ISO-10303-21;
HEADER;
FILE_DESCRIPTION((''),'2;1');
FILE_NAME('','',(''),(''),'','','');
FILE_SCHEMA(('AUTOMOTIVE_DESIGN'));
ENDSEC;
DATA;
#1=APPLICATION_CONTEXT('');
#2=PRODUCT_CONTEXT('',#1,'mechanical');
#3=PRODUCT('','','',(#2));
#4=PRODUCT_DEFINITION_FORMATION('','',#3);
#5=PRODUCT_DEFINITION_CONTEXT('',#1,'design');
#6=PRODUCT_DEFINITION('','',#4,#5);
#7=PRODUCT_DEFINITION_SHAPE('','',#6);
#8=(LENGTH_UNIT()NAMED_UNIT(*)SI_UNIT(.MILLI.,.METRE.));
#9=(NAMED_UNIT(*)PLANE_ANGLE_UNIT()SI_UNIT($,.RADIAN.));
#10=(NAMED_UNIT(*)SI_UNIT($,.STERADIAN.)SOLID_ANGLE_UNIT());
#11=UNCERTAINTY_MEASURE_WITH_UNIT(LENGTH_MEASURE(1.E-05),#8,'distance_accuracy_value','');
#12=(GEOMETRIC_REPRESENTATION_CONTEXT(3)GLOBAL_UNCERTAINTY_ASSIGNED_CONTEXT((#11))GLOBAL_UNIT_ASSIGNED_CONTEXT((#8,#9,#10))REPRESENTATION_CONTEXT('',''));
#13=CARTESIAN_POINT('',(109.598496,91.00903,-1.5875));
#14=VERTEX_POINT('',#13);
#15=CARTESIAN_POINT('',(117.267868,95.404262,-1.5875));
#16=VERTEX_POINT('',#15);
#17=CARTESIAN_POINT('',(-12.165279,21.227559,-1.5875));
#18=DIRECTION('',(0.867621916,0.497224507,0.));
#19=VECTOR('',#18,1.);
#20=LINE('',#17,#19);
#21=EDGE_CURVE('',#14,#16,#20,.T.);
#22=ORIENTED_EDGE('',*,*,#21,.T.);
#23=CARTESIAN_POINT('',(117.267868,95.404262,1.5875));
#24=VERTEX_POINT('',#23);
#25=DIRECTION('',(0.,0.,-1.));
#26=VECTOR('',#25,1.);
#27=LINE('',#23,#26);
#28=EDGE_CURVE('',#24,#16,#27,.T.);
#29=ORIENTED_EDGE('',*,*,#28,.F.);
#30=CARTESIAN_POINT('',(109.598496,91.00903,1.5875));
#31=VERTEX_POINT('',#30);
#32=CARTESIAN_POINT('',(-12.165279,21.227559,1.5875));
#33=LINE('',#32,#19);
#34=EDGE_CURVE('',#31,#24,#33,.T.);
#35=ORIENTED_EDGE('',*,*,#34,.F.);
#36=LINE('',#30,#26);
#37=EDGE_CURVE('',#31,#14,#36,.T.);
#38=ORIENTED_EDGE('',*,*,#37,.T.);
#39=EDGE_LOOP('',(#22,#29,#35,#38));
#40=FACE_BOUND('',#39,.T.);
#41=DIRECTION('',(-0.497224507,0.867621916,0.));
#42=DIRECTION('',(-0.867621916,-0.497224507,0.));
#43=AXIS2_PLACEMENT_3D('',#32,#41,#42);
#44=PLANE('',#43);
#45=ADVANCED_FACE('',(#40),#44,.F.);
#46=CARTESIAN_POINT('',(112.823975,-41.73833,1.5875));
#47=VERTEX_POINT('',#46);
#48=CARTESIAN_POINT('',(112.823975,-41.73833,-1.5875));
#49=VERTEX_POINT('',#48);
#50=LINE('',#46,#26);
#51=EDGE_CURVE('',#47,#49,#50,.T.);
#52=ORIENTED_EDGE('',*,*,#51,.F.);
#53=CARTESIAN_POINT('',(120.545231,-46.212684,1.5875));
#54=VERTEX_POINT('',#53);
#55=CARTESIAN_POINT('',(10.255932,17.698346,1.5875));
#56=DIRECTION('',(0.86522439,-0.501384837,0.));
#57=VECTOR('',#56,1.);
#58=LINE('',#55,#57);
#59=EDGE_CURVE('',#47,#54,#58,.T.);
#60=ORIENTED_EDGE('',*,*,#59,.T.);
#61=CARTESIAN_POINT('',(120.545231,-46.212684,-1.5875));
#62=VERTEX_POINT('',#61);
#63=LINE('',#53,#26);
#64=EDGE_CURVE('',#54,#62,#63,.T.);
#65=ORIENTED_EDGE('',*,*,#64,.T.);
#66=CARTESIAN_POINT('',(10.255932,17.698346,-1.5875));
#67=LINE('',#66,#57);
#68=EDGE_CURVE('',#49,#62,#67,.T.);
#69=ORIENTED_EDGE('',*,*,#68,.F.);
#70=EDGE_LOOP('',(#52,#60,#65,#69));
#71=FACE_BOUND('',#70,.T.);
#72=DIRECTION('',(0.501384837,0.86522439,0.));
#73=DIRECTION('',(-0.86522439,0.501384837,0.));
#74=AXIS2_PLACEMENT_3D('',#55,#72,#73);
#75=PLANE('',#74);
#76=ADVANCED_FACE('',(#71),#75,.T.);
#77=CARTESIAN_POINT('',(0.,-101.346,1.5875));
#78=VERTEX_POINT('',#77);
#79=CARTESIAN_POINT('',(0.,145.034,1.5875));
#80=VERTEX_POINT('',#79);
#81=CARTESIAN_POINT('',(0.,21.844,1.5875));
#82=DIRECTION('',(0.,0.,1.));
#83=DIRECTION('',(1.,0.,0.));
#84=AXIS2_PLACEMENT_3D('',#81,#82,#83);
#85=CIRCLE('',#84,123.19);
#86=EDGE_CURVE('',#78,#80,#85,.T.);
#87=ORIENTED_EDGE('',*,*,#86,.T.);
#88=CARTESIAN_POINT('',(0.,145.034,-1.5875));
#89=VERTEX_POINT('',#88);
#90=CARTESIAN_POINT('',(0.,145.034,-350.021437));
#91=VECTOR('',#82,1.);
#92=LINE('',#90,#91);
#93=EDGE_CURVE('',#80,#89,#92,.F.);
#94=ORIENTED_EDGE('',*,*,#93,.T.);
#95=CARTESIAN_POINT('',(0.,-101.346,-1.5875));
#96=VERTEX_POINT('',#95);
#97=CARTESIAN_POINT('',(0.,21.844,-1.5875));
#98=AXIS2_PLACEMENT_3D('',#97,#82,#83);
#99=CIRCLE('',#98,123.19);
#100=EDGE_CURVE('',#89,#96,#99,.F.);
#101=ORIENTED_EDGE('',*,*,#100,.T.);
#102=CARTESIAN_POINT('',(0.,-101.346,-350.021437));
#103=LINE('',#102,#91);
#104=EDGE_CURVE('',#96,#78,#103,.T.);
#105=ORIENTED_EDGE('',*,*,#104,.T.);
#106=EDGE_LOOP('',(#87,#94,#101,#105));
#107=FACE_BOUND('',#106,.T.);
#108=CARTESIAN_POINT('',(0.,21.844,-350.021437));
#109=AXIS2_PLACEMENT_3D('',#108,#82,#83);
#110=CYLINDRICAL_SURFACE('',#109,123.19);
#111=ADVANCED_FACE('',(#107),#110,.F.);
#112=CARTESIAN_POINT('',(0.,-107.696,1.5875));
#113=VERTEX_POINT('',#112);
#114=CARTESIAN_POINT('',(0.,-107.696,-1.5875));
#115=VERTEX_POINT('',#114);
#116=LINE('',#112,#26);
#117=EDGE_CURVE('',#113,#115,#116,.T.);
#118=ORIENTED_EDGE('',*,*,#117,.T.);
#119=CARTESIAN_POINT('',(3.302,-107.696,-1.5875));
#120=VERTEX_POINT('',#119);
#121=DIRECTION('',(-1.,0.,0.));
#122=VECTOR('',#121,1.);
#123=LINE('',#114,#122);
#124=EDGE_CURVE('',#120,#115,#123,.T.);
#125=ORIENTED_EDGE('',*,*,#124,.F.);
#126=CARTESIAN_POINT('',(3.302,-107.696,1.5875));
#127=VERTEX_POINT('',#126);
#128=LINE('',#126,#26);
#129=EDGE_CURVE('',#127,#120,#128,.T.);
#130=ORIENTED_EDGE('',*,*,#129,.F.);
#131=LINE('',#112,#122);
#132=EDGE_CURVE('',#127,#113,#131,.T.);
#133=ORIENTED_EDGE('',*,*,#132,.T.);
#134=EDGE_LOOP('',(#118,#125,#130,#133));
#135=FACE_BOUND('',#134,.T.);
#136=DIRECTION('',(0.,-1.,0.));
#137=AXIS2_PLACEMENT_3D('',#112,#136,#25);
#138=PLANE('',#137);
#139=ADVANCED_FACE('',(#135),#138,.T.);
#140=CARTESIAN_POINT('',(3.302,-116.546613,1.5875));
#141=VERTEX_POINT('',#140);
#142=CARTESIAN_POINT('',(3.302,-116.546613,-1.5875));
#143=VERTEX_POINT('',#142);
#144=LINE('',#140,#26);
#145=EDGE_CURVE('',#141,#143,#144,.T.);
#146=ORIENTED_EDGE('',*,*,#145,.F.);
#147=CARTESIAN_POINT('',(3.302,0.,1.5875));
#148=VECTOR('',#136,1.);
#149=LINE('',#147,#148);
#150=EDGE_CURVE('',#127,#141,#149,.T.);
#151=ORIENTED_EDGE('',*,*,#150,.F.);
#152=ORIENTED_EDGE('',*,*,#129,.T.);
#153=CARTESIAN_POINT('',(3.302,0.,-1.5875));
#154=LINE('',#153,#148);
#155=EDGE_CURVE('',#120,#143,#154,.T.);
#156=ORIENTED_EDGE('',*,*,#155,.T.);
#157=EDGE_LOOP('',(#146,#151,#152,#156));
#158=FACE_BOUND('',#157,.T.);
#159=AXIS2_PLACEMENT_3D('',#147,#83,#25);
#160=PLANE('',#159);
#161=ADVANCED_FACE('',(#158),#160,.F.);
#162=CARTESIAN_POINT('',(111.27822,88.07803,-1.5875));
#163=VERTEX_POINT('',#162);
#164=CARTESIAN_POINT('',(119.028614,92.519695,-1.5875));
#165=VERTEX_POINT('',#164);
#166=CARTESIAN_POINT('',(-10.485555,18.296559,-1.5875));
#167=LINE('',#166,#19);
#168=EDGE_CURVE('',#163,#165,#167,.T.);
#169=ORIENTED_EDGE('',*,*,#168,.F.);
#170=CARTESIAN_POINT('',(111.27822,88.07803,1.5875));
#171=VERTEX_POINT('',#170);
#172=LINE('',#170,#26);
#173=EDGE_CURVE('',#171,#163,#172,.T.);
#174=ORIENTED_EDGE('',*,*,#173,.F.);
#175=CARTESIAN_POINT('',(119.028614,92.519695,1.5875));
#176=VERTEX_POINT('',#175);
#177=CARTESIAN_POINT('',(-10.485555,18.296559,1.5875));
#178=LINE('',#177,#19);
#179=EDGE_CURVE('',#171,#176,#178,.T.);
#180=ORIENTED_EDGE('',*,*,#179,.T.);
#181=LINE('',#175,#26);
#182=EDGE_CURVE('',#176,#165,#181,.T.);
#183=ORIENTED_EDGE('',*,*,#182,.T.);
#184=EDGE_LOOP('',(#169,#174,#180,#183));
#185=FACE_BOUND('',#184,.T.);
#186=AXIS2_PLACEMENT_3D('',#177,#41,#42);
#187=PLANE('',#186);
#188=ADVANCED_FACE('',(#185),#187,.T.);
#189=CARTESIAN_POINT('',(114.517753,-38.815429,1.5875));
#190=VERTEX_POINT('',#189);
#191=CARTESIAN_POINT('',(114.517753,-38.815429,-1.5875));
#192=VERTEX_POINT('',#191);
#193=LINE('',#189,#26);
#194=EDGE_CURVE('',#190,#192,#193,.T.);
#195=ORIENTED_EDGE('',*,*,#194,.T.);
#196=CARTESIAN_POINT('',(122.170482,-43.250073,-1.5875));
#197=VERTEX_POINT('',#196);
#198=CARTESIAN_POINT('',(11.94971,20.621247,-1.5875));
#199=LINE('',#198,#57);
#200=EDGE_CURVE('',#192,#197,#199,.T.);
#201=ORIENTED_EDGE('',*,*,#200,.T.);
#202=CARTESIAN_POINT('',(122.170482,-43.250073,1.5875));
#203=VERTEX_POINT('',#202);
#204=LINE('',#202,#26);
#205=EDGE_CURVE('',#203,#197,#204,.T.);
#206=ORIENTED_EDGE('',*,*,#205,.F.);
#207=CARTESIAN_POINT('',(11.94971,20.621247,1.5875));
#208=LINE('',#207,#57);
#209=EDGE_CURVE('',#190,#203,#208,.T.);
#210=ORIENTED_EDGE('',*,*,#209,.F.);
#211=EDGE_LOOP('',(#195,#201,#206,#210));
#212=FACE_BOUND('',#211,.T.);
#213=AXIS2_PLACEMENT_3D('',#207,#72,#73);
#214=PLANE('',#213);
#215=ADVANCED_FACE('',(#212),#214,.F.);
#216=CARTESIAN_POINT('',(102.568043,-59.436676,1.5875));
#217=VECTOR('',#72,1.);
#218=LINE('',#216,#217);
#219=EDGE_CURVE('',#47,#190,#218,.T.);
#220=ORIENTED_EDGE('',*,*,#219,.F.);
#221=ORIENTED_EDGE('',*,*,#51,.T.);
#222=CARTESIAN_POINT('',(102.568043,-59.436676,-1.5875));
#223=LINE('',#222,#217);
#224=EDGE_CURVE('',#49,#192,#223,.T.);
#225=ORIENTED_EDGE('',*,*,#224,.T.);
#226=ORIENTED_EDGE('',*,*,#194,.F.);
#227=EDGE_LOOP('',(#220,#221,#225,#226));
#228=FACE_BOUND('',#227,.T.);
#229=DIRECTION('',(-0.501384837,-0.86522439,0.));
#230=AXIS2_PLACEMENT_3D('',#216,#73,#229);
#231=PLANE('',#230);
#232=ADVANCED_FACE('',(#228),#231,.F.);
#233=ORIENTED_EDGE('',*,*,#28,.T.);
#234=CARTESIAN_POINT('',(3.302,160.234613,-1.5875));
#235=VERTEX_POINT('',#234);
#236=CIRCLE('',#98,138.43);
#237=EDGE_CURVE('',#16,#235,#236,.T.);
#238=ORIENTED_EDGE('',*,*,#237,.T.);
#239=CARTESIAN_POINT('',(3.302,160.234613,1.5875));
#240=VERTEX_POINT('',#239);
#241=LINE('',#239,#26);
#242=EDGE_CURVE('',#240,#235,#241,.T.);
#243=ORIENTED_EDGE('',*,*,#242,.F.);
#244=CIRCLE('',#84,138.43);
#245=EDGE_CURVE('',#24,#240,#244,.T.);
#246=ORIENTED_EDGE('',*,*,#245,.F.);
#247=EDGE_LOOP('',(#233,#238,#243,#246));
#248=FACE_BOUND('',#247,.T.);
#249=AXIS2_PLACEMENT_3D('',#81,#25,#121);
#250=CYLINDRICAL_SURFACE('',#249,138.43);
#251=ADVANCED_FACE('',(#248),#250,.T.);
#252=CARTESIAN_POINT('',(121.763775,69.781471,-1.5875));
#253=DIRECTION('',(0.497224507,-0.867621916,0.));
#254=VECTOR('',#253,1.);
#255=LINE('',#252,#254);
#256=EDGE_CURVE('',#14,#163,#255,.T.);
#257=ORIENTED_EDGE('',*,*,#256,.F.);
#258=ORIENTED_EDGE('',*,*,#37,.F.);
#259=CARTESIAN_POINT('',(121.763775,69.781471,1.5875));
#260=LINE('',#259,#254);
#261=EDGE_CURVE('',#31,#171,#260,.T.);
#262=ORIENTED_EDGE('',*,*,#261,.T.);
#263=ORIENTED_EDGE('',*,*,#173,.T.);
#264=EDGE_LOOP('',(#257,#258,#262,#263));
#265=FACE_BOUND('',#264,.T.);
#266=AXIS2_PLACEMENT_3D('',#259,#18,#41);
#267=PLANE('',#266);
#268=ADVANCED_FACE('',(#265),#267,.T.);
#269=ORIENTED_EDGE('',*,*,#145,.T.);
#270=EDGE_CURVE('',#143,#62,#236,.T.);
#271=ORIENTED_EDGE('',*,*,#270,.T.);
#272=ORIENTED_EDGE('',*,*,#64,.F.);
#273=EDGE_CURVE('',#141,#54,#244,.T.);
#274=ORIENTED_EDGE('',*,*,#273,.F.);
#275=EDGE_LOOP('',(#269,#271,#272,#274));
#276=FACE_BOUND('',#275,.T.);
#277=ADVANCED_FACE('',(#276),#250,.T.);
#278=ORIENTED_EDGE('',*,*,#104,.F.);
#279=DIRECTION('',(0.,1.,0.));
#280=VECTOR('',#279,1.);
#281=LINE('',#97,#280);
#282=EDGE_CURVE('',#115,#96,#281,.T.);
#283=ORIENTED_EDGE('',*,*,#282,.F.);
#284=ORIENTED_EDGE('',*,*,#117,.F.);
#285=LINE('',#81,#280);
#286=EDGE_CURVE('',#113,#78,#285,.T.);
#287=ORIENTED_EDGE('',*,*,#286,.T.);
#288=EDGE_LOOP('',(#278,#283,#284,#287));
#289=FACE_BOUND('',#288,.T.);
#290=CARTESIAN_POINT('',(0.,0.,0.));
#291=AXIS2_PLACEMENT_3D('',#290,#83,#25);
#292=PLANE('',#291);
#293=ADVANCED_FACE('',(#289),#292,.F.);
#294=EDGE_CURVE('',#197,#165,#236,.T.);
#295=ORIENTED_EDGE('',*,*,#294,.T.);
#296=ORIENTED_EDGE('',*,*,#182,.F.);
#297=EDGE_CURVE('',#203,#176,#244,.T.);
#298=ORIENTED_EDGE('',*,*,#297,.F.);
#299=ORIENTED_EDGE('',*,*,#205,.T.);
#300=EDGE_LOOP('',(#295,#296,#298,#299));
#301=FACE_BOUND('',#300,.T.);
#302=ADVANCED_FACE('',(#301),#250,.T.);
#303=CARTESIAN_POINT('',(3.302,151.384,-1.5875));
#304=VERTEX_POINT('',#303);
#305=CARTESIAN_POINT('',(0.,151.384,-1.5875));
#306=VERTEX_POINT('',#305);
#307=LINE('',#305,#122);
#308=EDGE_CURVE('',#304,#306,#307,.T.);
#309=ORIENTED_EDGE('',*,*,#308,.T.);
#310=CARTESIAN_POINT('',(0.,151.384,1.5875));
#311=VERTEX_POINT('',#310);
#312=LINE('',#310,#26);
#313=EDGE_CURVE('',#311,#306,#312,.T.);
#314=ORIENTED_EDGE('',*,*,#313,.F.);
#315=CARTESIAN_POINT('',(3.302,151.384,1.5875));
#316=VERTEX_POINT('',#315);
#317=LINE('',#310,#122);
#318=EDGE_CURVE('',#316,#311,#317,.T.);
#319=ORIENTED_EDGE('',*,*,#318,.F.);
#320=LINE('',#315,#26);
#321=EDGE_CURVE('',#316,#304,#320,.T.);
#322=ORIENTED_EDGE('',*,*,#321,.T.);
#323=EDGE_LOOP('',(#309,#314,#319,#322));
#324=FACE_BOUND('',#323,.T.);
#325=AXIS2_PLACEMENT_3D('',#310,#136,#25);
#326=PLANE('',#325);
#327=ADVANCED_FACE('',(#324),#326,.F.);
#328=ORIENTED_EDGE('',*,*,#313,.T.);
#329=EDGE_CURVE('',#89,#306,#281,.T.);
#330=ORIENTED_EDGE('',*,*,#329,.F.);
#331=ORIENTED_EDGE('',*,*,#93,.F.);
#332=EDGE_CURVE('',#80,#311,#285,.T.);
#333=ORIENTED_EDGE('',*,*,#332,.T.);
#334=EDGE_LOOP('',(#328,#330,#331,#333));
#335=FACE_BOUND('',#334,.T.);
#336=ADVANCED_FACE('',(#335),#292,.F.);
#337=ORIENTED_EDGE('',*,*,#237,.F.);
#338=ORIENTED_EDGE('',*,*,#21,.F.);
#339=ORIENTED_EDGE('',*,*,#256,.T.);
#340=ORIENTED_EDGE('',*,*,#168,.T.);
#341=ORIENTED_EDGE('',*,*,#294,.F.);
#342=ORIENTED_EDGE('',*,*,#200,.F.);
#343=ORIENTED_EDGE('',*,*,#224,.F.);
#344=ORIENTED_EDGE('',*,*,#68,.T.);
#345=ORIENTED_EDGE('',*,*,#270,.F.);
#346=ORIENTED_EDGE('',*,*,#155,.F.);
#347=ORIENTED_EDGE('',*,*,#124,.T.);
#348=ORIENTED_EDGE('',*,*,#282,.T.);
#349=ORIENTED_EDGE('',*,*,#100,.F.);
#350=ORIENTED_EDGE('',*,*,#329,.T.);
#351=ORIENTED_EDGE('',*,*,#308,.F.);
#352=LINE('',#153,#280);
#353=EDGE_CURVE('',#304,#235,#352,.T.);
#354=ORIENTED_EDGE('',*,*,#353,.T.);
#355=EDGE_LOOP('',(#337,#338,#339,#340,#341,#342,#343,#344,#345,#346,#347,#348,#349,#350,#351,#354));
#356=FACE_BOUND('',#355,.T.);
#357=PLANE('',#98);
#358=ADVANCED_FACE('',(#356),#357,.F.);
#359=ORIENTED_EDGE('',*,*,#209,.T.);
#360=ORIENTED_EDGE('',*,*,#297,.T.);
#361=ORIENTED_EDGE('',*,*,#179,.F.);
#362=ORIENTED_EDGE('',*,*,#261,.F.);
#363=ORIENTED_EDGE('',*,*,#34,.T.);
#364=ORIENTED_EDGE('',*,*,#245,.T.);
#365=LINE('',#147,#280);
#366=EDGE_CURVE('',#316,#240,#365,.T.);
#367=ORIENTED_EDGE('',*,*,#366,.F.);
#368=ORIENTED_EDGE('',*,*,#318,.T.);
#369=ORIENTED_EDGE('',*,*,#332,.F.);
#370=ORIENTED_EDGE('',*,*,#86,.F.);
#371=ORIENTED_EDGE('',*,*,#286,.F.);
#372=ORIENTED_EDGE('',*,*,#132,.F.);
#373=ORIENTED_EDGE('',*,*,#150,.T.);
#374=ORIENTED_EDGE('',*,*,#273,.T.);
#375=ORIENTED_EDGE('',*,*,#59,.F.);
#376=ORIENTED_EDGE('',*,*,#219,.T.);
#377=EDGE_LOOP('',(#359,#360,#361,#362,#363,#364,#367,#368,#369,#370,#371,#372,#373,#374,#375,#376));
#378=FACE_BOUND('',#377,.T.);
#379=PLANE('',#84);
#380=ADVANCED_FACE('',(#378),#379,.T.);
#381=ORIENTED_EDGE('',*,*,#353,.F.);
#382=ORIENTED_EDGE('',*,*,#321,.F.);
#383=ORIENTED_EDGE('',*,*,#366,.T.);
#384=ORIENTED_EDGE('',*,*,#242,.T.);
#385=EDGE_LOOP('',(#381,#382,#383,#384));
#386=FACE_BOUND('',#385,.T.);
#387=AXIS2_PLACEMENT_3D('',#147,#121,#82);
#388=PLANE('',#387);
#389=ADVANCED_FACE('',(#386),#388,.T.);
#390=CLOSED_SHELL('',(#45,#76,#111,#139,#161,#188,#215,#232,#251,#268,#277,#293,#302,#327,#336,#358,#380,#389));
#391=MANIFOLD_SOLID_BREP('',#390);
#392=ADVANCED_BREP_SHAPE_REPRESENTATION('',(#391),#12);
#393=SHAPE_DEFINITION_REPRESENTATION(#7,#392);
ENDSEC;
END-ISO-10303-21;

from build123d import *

# Parameters (mm, degrees)
BOSS_EXTRUDE1_DEPTH = 1.5875
CUT_EXTRUDE1_DEPTH  = 3.175
FILLET1_R           = 8.89
SKETCH4_W           = 218.524279389
SKETCH4_H           = 440.65456999
CUT_EXTRUDE3_DEPTH  = 139.43
CUT_EXTRUDE4_DEPTH  = 4.175


with BuildPart() as part:
    # Sketch1 → Boss-Extrude1 (new body, symmetric)
    with BuildSketch(Plane.XY):
        with BuildLine():
            Line((-127.293308919, -32.555250036), (-85.984130762, -73.864428193))
            Line((-85.984130762, -73.864428193), (-85.984130762, -86.643760402))
            ThreePointArc((-85.984130762, -86.643760402), (-70.818680903, -97.099597285), (-54.399250036, -105.449308919))
            ThreePointArc((-54.399250036, -105.449308919), (97.88479172, 119.72879172), (-127.293308919, -32.555250036))
        make_face()
    extrude(amount=BOSS_EXTRUDE1_DEPTH, both=True)

    # Sketch2 → Cut-Extrude1 (cut)
    with BuildSketch(Plane.XY.offset(1.5875)):
        with BuildLine():
            Line((-114.372852664, -23.923091601), (-70.744130762, -67.551813503))
            Line((-70.744130762, -67.551813503), (-70.744130762, -79.00759425))
            ThreePointArc((-70.744130762, -79.00759425), (96.569405073, 98.330117066), (-114.372852664, -23.923091601))
        make_face()
    extrude(amount=-CUT_EXTRUDE1_DEPTH, mode=Mode.SUBTRACT)

    # Fillet1
    fillet1_edges = [part.edges().sort_by_distance(p)[0] for p in [
        (-114.372852664, -23.923091601, 0),
        (-70.744130762, -79.00759425, 0),
        (-70.744130762, -67.551813503, 0),
        (-85.984130762, -86.643760402, -0.79375),
        (-85.984130762, -73.864428193, -0.79375),
        (-127.293308919, -32.555250036, -0.79375),
    ]]
    fillet(fillet1_edges, radius=FILLET1_R)

    # Sketch4 → Cut-Extrude3 (cut, through all)
    with BuildSketch(Plane(origin=(0, 0, 0), x_dir=(0, 0, -1), z_dir=(1, 0, 0))):
        with Locations((12.98164036, 12.468370851)):
            Rectangle(SKETCH4_W, SKETCH4_H)
    extrude(amount=-CUT_EXTRUDE3_DEPTH, mode=Mode.SUBTRACT)

    # Sketch5 → Cut-Extrude4 (cut, through all)
    with BuildSketch(Plane(origin=(0, 0, -1.5875), x_dir=(-1, 0, 0), z_dir=(0, 0, -1))):
        with BuildLine():
            Line((-114.517752975, -38.815428837), (-122.170481647, -43.250072804))
            ThreePointArc((-122.170481647, -43.250072804), (-121.36689626, -44.736337881), (-120.545230584, -46.212684341))
            Line((-120.545230584, -46.212684341), (-112.823974718, -41.738329871))
            Line((-112.823974718, -41.738329871), (-114.517752975, -38.815428837))
        make_face()
        with BuildLine():
            Line((-109.598496198, 91.009030044), (-117.267867629, 95.404261839))
            ThreePointArc((-117.267867629, 95.404261839), (-118.157043978, 93.967351685), (-119.028614444, 92.519694857))
            Line((-119.028614444, 92.519694857), (-111.278220029, 88.078029687))
            Line((-111.278220029, 88.078029687), (-109.598496198, 91.009030044))
        make_face()
        with BuildLine():
            Line((-3.302, 160.234612745), (-3.302, 151.384))
            Line((-3.302, 151.384), (0, 151.384))
            Line((0, 151.384), (0, 160.274))
            ThreePointArc((0, 160.274), (-1.651117452, 160.264152836), (-3.302, 160.234612745))
        make_face()
        with BuildLine():
            Line((-3.302, -107.696), (-3.302, -116.546612745))
            ThreePointArc((-3.302, -116.546612745), (-1.651117452, -116.576152836), (0, -116.586))
            Line((0, -116.586), (0, -107.696))
            Line((0, -107.696), (-3.302, -107.696))
        make_face()
    extrude(amount=-CUT_EXTRUDE4_DEPTH, mode=Mode.SUBTRACT)


solid = part.part
